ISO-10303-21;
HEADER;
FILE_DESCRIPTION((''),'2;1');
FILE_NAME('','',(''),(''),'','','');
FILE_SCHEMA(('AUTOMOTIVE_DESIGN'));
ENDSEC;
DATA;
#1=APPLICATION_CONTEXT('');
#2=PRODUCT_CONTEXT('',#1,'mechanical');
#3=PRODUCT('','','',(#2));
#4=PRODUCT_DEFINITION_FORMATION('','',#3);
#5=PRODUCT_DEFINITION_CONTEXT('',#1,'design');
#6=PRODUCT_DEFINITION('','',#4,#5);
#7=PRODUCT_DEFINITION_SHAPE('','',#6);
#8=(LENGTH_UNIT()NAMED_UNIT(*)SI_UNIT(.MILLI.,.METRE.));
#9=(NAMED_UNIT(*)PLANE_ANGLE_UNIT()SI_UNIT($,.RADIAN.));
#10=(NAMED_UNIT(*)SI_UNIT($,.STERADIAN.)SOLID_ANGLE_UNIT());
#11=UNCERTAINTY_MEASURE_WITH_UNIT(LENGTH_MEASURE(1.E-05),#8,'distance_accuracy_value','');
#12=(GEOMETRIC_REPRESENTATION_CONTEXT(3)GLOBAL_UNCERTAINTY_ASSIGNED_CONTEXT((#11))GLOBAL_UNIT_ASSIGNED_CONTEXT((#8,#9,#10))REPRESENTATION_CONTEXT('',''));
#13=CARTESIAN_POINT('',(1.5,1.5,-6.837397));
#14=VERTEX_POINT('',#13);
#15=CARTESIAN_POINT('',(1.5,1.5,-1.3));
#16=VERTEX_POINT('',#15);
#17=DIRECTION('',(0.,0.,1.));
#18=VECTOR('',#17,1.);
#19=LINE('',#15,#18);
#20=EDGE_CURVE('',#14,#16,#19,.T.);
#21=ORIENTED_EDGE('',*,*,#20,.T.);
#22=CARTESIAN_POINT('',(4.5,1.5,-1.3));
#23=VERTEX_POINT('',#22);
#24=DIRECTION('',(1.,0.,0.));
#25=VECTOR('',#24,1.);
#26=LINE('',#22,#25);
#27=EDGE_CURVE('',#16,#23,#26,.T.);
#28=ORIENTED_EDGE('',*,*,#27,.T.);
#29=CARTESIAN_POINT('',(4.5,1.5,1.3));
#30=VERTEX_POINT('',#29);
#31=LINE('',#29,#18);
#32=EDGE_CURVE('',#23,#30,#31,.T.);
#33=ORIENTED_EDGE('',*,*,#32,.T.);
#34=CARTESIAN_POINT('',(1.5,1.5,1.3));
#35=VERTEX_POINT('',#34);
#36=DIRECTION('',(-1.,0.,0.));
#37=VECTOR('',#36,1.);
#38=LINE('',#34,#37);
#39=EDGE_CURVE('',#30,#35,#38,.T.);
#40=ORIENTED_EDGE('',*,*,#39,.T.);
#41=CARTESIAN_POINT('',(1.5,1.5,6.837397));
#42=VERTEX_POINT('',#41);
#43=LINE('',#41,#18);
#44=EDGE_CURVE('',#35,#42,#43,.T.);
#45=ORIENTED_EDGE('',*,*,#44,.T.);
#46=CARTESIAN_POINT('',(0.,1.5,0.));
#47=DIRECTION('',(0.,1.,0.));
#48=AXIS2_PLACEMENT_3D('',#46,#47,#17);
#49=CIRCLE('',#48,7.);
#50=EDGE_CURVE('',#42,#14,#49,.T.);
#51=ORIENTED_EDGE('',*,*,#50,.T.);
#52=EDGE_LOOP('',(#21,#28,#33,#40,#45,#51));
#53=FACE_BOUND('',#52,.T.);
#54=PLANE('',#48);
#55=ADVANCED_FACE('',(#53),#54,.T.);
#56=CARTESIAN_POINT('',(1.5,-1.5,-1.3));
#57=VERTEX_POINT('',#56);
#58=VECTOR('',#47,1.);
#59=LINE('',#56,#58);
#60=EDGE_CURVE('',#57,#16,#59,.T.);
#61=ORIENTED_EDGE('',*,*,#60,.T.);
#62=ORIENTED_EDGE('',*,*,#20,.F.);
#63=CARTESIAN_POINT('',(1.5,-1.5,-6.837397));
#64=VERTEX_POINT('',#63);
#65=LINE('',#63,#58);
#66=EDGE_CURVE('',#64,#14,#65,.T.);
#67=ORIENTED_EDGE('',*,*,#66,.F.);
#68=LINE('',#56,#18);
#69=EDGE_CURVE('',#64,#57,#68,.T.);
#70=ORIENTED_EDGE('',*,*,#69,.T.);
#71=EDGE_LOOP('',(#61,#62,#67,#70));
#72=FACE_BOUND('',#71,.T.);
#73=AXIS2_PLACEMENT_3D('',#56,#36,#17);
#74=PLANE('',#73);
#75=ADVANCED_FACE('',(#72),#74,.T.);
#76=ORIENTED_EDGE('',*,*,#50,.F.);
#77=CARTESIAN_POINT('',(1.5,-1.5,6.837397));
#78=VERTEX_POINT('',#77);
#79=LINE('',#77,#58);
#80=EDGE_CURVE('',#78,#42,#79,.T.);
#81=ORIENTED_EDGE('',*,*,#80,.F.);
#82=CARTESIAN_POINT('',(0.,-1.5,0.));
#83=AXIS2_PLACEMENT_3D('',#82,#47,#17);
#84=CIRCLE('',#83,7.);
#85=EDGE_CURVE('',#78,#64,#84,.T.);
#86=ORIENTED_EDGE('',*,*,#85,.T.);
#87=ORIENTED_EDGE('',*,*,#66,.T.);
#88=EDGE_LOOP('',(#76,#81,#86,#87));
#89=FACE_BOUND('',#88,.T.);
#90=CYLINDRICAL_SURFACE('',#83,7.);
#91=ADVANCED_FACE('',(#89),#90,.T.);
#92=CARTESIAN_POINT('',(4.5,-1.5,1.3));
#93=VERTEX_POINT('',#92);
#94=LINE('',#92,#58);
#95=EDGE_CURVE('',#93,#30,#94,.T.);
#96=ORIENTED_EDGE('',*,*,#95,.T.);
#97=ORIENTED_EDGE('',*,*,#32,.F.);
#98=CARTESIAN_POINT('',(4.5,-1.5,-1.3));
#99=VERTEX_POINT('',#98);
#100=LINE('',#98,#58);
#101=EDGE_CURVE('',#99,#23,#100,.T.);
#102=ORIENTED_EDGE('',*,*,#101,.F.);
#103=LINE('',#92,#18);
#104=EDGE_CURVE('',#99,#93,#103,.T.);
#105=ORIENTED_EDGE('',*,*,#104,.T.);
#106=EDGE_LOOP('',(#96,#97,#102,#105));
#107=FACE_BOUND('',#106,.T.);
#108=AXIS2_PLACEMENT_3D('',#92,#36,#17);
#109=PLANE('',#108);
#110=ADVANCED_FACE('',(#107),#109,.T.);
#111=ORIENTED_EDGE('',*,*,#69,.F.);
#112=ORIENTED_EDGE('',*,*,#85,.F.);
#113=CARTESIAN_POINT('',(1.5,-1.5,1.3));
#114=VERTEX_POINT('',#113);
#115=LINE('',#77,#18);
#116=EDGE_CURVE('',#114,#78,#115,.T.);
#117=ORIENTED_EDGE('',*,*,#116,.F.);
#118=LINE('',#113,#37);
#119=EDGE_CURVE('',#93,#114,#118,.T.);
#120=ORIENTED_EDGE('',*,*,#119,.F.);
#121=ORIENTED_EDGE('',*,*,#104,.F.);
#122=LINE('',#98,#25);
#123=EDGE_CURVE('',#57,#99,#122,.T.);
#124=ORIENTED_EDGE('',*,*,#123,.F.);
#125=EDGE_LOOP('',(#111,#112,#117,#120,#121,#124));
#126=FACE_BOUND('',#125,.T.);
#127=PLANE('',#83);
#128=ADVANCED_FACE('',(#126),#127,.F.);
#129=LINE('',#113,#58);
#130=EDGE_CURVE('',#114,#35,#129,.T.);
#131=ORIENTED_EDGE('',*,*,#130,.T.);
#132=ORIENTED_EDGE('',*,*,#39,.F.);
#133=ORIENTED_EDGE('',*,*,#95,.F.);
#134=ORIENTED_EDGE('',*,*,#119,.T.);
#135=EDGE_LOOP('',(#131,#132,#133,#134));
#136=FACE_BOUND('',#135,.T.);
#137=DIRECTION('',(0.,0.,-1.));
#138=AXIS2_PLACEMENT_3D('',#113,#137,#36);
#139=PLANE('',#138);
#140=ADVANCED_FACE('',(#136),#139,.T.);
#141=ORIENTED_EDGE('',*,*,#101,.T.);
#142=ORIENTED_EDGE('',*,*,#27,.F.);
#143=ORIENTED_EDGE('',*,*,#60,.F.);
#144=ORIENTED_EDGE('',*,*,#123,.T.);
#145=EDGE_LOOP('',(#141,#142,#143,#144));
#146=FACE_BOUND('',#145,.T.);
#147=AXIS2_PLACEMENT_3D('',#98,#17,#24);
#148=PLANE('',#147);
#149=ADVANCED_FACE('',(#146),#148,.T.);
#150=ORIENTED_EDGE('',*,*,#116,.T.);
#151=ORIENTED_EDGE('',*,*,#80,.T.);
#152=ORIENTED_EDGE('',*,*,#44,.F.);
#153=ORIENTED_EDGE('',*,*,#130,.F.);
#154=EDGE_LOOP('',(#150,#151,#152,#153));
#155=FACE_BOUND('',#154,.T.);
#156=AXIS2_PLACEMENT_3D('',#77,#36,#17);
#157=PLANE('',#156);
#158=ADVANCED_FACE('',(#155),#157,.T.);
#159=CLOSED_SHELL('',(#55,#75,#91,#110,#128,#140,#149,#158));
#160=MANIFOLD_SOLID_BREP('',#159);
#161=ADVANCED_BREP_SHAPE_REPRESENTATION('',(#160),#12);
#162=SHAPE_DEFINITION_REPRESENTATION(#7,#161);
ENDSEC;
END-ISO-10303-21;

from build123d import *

# Parameters (mm, degrees)
BOSS_EXTRUDE1_DEPTH      = 1.5
BOSS_EXTRUDE1_DEPTH_BACK = 1.5


with BuildPart() as part:
    # Sketch1 → Boss-Extrude1 (new, two sides: drawn at the far end of the back side and taken through both)
    with BuildSketch(Plane(origin=(0, 0, 0), x_dir=(1, 0, 0), z_dir=(0, 1, 0)).offset(-BOSS_EXTRUDE1_DEPTH_BACK)):
        with BuildLine():
            Line((1.5, -6.837397166), (1.5, -1.3))
            Line((1.5, -1.3), (4.5, -1.3))
            Line((4.5, -1.3), (4.5, 1.3))
            Line((4.5, 1.3), (1.5, 1.3))
            Line((1.5, 1.3), (1.5, 6.837397166))
            ThreePointArc((1.5, 6.837397166), (7, 0), (1.5, -6.837397166))
        make_face()
    extrude(amount=BOSS_EXTRUDE1_DEPTH + BOSS_EXTRUDE1_DEPTH_BACK)


solid = part.part
